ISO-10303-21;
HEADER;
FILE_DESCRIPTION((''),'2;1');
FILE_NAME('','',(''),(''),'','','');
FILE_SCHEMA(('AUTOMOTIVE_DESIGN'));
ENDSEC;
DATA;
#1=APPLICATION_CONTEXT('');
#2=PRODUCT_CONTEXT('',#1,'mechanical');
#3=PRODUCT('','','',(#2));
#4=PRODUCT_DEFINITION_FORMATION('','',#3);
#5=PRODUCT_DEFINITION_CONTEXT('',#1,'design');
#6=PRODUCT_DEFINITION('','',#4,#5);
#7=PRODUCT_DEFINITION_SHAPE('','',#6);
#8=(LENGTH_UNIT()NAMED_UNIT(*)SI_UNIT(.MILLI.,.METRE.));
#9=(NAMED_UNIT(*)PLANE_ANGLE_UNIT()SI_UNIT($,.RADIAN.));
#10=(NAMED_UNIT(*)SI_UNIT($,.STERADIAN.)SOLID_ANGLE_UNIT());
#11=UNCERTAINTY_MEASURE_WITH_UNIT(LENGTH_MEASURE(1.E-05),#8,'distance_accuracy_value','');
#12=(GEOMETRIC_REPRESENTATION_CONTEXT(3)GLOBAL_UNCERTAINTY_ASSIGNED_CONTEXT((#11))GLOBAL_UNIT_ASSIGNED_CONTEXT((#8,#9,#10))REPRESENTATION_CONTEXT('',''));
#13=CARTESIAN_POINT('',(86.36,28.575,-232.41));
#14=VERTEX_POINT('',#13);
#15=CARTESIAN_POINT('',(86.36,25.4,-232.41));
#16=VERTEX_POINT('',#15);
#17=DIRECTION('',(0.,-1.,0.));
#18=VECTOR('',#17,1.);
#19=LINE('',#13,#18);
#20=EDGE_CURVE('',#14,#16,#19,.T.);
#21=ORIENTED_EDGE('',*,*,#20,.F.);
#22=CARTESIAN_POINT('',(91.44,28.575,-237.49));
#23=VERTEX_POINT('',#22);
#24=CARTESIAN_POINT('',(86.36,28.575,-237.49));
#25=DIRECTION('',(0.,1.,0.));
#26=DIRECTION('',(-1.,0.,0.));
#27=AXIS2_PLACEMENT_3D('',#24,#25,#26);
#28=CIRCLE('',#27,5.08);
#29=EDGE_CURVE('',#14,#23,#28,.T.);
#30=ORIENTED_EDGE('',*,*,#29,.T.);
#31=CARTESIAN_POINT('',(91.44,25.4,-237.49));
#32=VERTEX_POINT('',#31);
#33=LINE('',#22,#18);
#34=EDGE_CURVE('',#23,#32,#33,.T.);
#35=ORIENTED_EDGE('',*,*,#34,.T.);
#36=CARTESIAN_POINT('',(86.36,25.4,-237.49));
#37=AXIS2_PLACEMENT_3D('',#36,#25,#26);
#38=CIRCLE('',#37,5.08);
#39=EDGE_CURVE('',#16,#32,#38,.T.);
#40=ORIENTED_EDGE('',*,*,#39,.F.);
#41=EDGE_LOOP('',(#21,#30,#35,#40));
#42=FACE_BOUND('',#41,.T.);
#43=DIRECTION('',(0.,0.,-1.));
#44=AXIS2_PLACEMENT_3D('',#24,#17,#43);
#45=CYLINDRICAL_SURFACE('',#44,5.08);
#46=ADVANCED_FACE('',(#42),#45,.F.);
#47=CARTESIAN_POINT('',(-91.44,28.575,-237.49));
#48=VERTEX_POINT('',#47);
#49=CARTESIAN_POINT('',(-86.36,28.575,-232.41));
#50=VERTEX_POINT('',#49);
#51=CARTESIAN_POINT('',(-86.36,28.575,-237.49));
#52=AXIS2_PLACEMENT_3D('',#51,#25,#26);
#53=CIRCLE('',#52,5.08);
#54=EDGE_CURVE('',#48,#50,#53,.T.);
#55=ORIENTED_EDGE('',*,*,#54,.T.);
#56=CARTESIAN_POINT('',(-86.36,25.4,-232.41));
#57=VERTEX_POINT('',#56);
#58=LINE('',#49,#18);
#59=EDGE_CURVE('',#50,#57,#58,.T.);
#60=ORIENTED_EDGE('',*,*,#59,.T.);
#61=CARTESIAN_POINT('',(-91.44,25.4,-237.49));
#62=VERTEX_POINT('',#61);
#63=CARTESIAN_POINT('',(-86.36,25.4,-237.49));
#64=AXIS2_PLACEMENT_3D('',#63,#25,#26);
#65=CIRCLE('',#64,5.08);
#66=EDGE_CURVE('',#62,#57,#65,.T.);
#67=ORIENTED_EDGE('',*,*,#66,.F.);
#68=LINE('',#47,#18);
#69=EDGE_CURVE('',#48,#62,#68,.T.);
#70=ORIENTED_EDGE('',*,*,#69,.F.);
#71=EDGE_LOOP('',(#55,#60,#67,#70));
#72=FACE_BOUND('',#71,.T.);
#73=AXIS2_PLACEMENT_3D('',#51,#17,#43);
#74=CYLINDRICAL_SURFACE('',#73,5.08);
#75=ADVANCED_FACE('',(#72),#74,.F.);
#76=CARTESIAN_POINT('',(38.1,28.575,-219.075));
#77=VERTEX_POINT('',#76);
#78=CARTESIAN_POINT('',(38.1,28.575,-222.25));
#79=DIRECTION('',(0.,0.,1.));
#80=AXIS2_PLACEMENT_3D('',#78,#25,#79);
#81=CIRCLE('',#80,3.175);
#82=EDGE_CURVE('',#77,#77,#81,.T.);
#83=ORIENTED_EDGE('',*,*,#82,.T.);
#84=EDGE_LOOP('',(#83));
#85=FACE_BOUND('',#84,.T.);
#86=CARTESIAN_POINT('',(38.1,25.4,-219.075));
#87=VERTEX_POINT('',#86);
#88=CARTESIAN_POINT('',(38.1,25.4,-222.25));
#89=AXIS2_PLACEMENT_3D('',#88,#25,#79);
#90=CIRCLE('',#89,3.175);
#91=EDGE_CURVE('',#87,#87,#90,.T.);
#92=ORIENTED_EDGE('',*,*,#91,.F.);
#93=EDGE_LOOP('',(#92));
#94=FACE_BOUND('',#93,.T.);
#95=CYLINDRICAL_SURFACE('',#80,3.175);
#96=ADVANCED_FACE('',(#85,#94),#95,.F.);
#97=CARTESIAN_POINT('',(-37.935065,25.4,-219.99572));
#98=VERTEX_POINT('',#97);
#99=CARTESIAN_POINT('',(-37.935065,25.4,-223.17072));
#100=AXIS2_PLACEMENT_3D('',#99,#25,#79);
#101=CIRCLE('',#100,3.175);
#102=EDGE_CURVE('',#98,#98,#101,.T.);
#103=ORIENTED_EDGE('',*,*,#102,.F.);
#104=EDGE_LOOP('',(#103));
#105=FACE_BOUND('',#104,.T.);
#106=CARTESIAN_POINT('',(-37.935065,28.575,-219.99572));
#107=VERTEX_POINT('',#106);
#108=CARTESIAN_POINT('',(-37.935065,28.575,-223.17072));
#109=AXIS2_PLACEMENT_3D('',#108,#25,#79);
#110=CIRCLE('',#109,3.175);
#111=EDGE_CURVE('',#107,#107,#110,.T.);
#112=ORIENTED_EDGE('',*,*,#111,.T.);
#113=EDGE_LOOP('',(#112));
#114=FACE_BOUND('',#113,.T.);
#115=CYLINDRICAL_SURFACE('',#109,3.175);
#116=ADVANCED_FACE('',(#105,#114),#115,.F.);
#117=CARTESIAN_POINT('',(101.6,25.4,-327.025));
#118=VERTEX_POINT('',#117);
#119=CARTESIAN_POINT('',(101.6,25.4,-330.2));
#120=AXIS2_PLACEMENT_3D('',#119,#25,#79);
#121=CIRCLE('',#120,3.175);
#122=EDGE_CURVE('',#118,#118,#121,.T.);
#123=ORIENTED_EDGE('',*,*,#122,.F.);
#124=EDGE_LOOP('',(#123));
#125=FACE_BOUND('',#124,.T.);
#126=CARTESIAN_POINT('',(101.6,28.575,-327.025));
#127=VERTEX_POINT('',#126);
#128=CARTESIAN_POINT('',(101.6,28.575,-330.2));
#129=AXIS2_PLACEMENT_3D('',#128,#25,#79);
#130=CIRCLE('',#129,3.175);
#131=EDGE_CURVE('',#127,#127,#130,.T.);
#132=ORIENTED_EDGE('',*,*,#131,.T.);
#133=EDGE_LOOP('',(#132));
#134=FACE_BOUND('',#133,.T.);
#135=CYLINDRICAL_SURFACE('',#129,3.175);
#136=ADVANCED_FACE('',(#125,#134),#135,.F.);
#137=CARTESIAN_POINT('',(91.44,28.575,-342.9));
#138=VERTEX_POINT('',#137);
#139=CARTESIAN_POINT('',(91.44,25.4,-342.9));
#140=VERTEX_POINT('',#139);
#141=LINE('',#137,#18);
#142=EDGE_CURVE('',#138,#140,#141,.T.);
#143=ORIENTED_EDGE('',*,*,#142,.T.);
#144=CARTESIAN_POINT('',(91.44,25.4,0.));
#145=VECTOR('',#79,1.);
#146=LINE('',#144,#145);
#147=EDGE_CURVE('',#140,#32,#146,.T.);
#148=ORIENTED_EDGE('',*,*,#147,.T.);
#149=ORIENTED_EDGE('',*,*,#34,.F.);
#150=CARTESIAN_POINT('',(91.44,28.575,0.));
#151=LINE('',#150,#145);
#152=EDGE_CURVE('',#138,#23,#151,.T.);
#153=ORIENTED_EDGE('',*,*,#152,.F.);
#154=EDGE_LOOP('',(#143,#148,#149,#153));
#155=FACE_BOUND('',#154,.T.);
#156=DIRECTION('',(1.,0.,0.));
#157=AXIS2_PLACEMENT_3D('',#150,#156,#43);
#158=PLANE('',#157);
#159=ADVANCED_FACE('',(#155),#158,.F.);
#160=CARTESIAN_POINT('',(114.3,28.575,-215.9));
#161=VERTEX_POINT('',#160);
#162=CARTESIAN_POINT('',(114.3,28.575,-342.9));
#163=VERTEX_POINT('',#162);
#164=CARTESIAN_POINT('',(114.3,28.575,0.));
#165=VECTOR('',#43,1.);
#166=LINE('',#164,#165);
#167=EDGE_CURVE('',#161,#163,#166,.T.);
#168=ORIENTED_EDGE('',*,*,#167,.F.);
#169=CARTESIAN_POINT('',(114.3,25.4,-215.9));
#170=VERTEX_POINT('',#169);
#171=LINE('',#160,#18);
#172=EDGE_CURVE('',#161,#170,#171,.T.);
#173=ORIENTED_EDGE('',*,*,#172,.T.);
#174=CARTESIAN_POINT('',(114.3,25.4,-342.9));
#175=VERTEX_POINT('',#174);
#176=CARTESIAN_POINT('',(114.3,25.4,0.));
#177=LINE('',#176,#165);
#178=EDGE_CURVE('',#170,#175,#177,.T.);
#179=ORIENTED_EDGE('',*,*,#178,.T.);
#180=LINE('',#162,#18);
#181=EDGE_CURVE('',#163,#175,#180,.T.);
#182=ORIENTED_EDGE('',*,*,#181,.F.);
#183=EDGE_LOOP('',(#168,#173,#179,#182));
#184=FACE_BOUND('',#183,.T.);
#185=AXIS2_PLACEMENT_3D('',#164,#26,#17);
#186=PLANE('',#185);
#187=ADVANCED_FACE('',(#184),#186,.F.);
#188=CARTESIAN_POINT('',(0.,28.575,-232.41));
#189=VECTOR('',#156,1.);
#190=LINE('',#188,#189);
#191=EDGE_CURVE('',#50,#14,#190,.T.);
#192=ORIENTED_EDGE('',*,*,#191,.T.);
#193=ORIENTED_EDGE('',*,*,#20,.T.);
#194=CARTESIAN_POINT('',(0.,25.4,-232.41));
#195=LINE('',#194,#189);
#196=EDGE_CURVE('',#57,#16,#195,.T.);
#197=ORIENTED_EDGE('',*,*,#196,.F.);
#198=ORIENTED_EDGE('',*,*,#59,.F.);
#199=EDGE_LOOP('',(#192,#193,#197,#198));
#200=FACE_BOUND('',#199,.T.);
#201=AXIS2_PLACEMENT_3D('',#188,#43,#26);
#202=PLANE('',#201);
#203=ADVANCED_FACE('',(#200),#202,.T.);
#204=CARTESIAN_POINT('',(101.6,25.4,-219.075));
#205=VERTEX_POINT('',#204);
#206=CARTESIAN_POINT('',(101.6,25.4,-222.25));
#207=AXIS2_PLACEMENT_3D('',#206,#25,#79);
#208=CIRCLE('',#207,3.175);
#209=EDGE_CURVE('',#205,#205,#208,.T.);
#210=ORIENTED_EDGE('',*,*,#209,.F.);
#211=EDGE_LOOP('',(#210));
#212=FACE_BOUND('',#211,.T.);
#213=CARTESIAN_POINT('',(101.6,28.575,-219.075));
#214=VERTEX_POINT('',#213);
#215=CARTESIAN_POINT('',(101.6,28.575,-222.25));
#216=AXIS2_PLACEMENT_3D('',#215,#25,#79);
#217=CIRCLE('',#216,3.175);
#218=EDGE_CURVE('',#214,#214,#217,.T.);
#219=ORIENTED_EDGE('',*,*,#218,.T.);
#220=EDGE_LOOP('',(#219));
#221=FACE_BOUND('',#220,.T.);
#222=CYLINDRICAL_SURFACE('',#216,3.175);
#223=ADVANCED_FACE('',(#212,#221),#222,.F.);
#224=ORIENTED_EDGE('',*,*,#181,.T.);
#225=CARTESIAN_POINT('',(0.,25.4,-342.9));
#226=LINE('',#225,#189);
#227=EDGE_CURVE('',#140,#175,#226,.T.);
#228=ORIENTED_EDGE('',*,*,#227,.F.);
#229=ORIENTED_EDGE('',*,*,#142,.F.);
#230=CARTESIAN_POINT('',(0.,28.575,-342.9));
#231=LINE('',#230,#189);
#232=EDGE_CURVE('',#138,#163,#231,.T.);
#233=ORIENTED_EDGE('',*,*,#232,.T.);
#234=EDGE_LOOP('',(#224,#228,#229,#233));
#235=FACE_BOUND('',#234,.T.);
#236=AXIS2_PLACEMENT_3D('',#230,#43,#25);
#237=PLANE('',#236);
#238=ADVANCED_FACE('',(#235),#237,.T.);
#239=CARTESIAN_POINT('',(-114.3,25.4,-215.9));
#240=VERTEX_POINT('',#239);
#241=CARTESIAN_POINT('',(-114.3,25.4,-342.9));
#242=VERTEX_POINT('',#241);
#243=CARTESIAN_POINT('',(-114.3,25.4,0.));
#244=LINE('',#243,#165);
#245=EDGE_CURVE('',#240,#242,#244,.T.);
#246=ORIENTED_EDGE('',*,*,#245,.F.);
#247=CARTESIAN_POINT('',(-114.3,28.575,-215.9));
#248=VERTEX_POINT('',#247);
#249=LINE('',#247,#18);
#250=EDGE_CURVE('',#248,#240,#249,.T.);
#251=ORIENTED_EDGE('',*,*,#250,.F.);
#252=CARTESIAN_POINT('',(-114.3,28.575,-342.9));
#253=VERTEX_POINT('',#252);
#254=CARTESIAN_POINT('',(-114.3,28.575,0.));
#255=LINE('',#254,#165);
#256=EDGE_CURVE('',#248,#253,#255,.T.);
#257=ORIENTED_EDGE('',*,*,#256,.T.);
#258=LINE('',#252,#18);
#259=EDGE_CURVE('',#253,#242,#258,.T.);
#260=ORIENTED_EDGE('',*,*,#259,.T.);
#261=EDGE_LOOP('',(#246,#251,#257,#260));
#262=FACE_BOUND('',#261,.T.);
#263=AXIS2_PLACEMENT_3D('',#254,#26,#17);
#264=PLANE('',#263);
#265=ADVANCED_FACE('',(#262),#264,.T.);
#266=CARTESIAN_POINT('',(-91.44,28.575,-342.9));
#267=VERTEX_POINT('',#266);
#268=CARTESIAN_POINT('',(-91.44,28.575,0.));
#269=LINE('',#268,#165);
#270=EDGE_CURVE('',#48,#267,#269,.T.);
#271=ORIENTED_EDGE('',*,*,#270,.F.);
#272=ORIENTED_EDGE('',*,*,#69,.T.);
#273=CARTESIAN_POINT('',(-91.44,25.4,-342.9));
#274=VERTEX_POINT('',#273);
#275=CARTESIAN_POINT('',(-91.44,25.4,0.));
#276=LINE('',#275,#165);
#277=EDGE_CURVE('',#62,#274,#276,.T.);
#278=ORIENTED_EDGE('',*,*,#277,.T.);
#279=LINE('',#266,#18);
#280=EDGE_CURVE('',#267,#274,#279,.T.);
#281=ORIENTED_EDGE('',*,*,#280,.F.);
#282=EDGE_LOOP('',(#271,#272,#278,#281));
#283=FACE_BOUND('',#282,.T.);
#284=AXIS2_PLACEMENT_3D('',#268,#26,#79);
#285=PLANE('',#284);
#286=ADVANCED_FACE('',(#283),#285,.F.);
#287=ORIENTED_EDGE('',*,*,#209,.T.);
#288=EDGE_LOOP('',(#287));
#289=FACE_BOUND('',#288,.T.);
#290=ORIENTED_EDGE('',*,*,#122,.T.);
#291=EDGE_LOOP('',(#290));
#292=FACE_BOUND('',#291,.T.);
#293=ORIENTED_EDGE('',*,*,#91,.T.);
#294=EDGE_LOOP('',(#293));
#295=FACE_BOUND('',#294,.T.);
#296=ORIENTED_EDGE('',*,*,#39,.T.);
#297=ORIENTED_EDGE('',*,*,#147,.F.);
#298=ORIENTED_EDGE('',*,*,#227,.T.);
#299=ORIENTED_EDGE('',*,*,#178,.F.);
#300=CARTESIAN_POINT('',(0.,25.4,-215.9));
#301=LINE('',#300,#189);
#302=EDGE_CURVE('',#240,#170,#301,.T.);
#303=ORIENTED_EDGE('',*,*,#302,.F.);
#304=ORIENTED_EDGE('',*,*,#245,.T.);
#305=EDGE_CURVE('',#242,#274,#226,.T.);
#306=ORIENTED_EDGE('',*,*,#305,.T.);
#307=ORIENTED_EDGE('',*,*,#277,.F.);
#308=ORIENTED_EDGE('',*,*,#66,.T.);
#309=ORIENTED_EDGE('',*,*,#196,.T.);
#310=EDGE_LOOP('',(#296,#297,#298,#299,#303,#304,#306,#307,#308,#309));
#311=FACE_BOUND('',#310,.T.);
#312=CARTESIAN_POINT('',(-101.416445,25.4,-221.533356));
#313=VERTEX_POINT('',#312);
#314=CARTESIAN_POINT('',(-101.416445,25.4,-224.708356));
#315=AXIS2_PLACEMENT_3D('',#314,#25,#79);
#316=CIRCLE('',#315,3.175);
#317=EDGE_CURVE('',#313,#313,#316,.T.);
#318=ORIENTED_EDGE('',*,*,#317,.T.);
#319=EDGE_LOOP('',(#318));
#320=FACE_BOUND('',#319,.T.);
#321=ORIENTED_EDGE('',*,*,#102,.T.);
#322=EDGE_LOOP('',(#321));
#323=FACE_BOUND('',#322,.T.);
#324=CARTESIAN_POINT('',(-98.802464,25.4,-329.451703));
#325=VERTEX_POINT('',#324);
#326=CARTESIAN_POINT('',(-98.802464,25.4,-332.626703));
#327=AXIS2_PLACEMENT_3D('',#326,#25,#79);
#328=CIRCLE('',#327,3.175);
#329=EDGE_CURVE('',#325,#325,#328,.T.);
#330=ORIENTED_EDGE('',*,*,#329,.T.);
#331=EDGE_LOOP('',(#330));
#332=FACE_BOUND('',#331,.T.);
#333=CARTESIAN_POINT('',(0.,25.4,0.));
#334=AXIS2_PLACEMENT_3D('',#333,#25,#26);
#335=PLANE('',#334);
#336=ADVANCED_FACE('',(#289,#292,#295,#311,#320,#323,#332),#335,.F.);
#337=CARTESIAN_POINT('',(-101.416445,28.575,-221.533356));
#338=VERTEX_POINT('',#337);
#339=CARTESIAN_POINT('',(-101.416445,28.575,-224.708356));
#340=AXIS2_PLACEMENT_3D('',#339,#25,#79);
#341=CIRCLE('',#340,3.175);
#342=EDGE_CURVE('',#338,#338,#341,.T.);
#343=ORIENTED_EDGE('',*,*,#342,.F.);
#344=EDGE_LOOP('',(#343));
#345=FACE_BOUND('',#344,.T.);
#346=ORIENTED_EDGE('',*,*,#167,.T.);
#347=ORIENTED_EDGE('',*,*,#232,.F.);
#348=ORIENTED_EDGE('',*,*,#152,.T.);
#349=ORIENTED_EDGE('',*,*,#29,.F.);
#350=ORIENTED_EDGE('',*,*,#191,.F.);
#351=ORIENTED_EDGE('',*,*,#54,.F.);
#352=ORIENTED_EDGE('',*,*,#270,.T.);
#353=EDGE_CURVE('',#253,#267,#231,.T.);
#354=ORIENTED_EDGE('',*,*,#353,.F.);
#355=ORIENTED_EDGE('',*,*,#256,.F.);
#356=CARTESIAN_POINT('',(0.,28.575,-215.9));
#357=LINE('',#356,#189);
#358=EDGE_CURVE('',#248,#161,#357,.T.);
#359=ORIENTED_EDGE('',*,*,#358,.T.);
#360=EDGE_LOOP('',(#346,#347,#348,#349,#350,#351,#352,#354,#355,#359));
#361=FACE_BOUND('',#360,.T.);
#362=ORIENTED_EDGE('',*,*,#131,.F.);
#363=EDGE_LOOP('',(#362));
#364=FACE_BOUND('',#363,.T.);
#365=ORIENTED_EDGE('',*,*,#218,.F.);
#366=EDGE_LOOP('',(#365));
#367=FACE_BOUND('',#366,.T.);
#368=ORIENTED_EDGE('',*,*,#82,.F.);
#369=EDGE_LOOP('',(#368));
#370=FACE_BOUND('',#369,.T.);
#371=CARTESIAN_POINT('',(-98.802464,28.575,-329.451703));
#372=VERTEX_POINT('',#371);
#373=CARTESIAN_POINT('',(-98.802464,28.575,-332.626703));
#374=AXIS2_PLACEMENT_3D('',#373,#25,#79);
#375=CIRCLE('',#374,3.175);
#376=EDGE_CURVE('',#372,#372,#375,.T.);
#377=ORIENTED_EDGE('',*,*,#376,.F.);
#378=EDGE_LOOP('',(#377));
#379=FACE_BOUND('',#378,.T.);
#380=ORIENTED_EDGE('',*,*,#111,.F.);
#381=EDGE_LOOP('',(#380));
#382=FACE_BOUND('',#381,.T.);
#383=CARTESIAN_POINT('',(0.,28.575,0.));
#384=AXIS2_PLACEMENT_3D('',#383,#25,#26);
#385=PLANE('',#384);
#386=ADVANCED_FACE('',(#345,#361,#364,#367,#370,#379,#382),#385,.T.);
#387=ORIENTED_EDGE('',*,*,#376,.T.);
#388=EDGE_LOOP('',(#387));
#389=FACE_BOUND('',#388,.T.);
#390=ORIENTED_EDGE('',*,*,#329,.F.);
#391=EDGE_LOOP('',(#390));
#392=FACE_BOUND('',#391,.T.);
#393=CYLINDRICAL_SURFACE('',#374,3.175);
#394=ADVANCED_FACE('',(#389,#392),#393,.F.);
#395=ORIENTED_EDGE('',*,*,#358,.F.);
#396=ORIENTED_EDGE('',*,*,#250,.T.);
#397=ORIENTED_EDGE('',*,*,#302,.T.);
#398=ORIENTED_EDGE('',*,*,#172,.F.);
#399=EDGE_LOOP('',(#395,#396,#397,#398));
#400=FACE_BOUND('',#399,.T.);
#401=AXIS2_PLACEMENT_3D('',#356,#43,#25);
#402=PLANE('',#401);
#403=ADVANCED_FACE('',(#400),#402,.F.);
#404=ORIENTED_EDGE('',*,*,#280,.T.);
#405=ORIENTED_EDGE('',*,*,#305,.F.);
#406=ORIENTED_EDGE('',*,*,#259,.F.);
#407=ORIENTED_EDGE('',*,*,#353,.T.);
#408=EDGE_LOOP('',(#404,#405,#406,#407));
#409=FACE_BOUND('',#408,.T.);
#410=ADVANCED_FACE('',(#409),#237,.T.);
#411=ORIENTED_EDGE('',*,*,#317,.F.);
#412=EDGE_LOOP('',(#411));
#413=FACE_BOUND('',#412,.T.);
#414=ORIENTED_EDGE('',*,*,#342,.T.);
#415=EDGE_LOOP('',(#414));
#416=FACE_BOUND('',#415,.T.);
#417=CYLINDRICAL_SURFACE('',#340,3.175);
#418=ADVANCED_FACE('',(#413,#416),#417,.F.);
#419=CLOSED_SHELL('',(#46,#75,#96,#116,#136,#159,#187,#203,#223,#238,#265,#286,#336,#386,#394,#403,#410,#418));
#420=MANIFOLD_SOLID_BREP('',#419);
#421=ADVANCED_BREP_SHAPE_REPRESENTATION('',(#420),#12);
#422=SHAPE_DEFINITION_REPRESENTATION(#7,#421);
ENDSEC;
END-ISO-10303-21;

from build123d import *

# Parameters (mm, degrees)
SKETCH1_W                   = 12.7
SKETCH1_H                   = 127
BOSS_EXTRUDE1_DEPTH         = 3.175
F_1_4_0_25_DIAMETER_HOLE1_D = 6.35


with BuildPart() as part:
    # Sketch1 → Boss-Extrude1 (new body)
    with BuildSketch(Plane(origin=(0, 25.4, 0), x_dir=(1, 0, 0), z_dir=(0, 1, 0))):
        with BuildLine():
            Line((-91.44, 342.9), (-101.6, 342.9))
            Line((-101.6, 342.9), (-101.6, 215.9))
            Line((-101.6, 215.9), (98.425, 215.9))
            Line((98.425, 215.9), (101.6, 215.9))
            Line((101.6, 215.9), (101.6, 342.9))
            Line((101.6, 342.9), (91.44, 342.9))
            Line((91.44, 342.9), (91.44, 308.61))
            Line((91.44, 308.61), (91.44, 237.49))
            ThreePointArc((91.44, 237.49), (89.952102448, 233.897897552), (86.36, 232.41))
            Line((86.36, 232.41), (-86.36, 232.41))
            ThreePointArc((-86.36, 232.41), (-89.952102448, 233.897897552), (-91.44, 237.49))
            Line((-91.44, 237.49), (-91.44, 308.61))
            Line((-91.44, 308.61), (-91.44, 342.9))
        make_face()
        with Locations((-107.95, 279.4)):
            Rectangle(SKETCH1_W, SKETCH1_H)
        with Locations((107.95, 279.4)):
            Rectangle(SKETCH1_W, SKETCH1_H)
    extrude(amount=BOSS_EXTRUDE1_DEPTH)

    # 1/4 (0.25) Diameter Hole1 (through all)
    with Locations(Plane(origin=(0, 28.575, 0), x_dir=(1, 0, 0), z_dir=(0, 1, 0))):
        with Locations((101.6, 330.2), (101.6, 222.25), (38.1, 222.25), (-98.802463558, 332.626703007), (-101.416445229, 224.708356097), (-37.935064693, 223.17071982)):
            Hole(F_1_4_0_25_DIAMETER_HOLE1_D / 2)


solid = part.part
